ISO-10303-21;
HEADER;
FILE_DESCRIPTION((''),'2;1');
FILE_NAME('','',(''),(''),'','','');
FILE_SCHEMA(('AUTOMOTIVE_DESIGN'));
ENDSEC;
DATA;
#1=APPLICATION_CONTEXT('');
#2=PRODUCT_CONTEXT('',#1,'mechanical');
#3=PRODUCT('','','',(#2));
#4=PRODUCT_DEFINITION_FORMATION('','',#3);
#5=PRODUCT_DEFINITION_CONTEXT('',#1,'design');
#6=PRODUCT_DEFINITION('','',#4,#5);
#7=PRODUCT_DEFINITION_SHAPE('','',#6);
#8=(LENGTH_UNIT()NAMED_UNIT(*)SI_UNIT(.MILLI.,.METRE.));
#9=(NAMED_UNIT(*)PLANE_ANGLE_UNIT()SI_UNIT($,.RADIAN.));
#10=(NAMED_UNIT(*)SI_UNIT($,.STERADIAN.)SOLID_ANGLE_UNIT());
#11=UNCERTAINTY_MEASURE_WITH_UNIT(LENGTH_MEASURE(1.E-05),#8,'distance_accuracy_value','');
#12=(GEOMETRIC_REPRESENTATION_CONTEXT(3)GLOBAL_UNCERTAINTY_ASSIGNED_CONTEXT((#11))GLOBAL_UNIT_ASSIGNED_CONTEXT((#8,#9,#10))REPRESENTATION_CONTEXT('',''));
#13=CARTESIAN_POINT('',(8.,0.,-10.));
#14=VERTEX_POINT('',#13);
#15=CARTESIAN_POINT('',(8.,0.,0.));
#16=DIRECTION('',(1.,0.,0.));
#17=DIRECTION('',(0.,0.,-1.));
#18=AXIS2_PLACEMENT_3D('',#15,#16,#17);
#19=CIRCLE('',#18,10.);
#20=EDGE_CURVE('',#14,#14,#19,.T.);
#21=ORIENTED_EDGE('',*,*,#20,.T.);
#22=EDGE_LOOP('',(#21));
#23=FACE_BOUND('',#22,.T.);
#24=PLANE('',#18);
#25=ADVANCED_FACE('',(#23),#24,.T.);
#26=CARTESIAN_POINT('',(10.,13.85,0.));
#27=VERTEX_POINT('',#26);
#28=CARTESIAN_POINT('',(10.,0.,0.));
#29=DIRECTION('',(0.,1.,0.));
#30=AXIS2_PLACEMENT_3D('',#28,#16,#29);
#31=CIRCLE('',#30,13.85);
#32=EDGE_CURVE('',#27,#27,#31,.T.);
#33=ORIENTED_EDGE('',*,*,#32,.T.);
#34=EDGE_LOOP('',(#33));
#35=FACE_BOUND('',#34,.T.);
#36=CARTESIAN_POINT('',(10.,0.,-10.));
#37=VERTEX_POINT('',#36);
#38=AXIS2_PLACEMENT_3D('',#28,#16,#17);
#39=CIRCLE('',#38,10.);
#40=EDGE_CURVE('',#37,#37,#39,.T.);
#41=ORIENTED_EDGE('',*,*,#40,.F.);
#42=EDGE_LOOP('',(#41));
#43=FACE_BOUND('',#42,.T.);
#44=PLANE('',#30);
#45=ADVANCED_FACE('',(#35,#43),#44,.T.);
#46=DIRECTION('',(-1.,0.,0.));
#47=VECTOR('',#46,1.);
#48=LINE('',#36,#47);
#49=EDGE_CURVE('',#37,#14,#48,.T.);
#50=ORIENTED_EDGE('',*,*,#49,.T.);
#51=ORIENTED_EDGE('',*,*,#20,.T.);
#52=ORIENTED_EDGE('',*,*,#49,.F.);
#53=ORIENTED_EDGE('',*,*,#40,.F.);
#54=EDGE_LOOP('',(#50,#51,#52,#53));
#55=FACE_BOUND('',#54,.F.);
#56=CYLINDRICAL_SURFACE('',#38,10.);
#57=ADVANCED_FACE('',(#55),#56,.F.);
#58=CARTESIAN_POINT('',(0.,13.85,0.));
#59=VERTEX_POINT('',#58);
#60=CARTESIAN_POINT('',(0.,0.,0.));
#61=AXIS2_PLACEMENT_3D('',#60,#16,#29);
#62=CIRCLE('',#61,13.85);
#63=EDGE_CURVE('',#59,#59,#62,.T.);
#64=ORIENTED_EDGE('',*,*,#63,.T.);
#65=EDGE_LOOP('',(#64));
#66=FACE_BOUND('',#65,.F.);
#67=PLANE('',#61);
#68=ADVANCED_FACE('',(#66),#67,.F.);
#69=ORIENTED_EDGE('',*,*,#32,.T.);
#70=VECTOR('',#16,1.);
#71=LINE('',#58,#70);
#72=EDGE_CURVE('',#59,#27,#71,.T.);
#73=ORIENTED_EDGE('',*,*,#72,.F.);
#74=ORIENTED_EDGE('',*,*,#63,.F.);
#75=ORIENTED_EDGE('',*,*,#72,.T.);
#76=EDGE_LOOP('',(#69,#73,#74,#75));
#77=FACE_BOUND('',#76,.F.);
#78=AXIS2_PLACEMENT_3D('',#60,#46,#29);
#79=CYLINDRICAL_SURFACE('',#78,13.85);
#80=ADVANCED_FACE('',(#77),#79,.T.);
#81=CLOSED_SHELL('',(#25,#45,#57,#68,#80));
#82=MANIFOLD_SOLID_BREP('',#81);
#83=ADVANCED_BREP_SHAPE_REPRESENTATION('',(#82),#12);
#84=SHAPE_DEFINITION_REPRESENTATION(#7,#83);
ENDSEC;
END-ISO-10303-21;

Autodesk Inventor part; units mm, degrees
ref_plane "YZ Plane" through (0, 0, 0) normal (1, 0, 0) x (0, 1, 0)
ref_plane "XZ Plane" through (0, 0, 0) normal (0, 1, 0) x (-1, 0, 0)
ref_plane "XY Plane" through (0, 0, 0) normal (0, 0, 1) x (1, 0, 0)
sketch "Boceto1" plane through (0, 0, 0) normal (1, 0, 0) x (0, 1, 0)
  circle A0 centre (0, 0) radius 13.85
  dimension "d0" = 27.7
extrude "Extrusión1" add sketch "Boceto1" along normal blind 10
sketch "Boceto2" plane through (10, 0, 0) normal (1, 0, 0) x (0, 0, -1)
  circle A0 centre (0, 0) radius 10
  dimension "d3" = 20
extrude "Extrusión2" cut sketch "Boceto2" against normal blind 2
properties part number "wheels"
